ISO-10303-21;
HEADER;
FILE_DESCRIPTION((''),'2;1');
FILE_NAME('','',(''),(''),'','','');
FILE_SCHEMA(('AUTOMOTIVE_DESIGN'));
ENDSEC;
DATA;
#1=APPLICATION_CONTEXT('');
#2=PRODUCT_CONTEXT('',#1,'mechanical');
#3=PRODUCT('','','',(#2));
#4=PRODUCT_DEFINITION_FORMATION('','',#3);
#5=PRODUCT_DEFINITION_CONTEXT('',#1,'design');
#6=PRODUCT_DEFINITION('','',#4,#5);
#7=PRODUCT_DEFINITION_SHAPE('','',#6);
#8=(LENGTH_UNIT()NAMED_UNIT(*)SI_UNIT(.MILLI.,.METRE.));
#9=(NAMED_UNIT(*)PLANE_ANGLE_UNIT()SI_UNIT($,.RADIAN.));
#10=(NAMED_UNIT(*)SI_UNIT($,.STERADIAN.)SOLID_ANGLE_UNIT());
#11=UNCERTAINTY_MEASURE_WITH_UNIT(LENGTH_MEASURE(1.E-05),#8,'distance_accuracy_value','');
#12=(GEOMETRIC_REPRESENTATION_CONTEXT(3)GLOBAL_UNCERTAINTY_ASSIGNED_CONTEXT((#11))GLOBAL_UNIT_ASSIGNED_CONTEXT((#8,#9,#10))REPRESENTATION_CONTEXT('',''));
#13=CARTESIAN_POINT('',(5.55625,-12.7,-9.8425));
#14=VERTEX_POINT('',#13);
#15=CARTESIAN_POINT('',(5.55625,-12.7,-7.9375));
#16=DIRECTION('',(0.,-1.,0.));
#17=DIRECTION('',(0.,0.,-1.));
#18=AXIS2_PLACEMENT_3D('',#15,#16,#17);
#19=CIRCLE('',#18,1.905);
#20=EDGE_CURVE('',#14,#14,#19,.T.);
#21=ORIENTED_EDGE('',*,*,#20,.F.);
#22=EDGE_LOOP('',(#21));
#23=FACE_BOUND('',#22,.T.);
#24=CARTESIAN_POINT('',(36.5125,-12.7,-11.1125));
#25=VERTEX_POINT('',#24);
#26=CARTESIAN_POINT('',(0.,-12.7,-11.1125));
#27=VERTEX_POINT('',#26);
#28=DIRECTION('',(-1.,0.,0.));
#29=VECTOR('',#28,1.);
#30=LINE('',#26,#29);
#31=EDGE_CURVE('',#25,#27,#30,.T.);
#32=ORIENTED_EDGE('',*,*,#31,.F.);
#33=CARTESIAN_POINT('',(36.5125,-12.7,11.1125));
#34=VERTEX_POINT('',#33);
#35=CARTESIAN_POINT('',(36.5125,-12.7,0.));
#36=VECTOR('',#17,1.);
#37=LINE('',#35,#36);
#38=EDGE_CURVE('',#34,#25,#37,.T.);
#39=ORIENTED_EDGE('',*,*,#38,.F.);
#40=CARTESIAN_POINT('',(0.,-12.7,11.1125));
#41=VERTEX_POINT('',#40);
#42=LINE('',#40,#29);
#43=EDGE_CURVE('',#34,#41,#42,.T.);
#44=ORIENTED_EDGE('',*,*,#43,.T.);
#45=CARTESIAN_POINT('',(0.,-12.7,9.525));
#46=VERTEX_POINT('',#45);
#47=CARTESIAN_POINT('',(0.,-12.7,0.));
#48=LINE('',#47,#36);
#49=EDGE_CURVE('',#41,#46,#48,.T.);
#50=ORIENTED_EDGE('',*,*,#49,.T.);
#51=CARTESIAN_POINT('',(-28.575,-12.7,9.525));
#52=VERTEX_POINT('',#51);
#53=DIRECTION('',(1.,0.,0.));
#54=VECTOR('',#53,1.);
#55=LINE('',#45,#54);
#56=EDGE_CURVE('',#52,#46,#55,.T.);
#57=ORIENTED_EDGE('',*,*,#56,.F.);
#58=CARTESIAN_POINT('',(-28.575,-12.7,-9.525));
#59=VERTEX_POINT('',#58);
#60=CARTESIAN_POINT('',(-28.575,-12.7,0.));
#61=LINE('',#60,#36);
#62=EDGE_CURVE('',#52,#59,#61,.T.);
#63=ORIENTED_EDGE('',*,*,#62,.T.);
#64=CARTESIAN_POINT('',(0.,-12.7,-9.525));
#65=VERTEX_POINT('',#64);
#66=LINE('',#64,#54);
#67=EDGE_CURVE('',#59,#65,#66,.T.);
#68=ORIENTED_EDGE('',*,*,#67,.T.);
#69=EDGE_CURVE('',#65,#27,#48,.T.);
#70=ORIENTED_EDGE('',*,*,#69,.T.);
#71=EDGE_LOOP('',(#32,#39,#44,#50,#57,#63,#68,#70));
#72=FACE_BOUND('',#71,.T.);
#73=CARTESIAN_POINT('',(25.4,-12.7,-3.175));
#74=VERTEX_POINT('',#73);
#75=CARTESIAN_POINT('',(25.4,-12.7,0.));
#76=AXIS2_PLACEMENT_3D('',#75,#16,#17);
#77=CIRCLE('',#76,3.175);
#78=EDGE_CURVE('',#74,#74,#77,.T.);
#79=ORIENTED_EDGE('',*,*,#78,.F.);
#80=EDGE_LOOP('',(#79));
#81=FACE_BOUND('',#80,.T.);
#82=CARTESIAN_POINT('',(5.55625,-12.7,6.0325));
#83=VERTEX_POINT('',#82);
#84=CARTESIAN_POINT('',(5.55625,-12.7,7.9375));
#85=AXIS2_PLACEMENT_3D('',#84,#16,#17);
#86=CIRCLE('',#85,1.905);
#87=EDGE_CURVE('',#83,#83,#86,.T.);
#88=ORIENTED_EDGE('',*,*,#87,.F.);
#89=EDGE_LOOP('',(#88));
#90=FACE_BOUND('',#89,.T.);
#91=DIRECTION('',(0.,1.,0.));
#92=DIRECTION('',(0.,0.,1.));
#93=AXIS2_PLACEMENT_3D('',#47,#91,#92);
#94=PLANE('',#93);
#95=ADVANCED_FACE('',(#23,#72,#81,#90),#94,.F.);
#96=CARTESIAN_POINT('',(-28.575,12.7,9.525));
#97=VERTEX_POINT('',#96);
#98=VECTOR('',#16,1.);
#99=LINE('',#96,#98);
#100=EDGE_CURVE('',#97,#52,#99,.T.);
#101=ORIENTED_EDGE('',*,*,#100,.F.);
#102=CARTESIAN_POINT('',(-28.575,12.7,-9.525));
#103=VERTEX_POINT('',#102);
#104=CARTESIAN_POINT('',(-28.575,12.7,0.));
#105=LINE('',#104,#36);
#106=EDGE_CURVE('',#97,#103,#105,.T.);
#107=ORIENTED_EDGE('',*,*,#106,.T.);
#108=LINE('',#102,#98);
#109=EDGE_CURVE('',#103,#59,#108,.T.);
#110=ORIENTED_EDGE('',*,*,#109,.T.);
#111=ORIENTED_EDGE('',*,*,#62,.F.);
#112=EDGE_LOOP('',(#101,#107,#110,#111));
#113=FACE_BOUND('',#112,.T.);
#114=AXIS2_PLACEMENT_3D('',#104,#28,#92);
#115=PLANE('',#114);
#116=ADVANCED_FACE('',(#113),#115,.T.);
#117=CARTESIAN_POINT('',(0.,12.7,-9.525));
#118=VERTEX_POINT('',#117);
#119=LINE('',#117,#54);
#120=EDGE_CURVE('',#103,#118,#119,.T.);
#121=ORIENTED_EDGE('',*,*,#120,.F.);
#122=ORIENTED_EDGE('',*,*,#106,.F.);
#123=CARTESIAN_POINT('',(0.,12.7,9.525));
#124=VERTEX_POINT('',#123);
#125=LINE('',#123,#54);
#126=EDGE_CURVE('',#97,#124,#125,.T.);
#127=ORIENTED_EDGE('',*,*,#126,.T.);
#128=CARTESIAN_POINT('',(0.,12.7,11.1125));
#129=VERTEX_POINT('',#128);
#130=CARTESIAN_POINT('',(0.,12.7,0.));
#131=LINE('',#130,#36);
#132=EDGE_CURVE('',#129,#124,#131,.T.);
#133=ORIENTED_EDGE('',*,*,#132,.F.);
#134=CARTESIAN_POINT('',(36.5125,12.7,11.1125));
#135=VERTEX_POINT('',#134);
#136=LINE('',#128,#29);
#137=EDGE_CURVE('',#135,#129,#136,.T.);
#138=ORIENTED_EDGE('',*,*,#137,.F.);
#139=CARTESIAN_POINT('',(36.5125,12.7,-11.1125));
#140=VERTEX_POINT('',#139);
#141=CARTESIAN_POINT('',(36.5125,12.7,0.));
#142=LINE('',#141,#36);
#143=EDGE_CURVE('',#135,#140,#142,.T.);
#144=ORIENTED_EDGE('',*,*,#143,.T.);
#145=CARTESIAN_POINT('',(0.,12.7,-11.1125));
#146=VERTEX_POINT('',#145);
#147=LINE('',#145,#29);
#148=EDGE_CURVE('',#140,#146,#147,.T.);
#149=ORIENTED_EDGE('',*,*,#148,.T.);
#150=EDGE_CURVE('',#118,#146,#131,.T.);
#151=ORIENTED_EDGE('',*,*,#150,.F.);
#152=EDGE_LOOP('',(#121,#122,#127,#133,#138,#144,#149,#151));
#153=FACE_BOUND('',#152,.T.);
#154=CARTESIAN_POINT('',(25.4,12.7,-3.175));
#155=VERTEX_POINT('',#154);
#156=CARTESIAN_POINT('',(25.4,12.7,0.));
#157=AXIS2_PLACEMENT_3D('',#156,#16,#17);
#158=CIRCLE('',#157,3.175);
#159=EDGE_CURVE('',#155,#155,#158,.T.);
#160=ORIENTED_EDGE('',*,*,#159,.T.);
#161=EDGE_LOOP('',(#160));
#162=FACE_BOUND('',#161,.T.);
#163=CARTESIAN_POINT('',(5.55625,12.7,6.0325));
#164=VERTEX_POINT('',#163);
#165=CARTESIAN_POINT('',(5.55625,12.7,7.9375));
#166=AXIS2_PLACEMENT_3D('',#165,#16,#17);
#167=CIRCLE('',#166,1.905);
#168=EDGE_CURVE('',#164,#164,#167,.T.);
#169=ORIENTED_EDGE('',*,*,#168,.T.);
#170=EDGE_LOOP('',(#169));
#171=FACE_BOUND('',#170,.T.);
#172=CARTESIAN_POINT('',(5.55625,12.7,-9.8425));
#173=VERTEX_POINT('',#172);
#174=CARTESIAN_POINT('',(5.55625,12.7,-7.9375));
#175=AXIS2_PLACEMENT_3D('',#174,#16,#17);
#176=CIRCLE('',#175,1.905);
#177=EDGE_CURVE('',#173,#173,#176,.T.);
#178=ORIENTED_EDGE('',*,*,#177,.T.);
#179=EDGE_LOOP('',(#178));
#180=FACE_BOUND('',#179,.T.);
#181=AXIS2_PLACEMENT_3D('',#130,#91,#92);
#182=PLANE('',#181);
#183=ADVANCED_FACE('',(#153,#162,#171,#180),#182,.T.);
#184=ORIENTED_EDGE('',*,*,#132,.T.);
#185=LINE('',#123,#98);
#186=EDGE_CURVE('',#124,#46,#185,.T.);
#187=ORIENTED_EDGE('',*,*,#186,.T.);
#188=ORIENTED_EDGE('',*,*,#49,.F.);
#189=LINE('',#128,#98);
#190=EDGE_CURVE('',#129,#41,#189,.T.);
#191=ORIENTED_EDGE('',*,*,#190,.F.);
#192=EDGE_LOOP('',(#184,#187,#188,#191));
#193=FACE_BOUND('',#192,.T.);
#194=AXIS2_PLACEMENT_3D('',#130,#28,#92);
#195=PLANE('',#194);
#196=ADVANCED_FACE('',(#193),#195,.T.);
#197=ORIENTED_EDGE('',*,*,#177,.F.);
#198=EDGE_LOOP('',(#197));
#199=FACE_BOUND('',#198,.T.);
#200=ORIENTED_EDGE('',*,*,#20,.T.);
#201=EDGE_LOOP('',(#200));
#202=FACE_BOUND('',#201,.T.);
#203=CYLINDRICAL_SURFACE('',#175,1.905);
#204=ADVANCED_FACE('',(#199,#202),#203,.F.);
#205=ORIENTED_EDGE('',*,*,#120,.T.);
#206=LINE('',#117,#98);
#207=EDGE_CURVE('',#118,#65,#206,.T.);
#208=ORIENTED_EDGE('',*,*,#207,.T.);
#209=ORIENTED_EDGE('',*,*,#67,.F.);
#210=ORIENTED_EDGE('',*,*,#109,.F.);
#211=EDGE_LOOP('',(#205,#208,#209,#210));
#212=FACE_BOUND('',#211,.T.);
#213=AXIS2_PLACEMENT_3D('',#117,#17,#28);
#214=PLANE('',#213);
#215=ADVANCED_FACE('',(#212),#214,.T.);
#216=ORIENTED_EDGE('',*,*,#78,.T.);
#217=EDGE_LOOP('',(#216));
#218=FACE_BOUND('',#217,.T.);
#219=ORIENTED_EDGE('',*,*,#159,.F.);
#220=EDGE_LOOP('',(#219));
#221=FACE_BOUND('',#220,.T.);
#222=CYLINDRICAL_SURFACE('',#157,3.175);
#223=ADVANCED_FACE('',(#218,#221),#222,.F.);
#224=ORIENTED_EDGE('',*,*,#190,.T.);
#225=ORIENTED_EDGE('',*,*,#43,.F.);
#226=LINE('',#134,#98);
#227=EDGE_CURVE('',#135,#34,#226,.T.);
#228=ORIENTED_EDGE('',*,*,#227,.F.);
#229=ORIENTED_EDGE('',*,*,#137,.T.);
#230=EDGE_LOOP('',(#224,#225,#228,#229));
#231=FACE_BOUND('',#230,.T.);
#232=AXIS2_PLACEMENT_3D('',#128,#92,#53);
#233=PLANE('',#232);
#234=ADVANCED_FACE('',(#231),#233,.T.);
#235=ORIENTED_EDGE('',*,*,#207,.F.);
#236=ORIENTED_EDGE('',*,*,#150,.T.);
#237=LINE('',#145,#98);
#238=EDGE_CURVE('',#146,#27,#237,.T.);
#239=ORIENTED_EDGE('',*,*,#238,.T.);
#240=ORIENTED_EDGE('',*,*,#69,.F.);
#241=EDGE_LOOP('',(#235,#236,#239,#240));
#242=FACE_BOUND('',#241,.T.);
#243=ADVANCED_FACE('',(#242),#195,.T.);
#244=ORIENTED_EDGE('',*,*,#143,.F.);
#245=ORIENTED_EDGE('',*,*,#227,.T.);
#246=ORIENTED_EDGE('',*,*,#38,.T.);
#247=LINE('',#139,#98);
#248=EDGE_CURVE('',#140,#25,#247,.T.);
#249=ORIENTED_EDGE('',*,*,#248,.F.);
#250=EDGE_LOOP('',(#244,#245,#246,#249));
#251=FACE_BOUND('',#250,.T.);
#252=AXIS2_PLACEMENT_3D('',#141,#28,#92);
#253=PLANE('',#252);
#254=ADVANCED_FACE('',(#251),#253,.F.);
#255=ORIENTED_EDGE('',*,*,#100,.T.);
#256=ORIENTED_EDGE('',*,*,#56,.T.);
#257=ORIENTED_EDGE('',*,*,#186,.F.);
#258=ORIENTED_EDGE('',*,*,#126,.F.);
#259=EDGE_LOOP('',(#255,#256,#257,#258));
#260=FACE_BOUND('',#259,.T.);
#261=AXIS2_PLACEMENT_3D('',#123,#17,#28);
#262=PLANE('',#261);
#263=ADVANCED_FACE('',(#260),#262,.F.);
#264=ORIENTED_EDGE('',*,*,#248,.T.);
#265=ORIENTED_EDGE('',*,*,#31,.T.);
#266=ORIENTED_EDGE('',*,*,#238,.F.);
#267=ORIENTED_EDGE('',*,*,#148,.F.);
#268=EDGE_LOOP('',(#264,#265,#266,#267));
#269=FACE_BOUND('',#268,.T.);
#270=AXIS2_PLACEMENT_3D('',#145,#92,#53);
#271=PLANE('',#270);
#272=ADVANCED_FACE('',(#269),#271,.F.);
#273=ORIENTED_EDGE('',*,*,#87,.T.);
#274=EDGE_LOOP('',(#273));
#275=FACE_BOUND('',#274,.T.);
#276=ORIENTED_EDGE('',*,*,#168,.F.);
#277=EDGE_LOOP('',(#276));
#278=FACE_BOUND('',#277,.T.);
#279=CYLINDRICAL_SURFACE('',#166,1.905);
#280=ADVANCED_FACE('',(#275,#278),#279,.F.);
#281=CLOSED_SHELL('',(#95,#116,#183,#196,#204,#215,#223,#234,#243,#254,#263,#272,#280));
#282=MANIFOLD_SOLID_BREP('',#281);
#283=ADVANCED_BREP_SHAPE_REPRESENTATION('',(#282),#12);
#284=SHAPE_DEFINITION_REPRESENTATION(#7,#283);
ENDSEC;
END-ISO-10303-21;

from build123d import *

# Parameters (mm, degrees)
SKETCH1_W               = 28.575
SKETCH1_H               = 19.05
BOSS_EXTRUDE1_DEPTH     = 12.7
SKETCH3_R               = 1.905
CUT_EXTRUDE1_DEPTH      = 46.845504823
CUT_EXTRUDE4_DEPTH      = 41.223628783
CUT_EXTRUDE4_DEPTH_BACK = 41.223628783
SKETCH2_R               = 3.175


with BuildPart() as part:
    # Sketch1 → Boss-Extrude1 (new, symmetric)
    with BuildSketch(Plane(origin=(0, 0, 0), x_dir=(1, 0, 0), z_dir=(0, 1, 0))):
        with Locations((-14.2875, 0)):
            Rectangle(SKETCH1_W, SKETCH1_H)
        Polygon((0, 9.525), (0, -9.525), (0, -11.1125), (36.5125, -11.1125), (36.5125, 11.1125), (0, 11.1125), align=None)
    extrude(amount=BOSS_EXTRUDE1_DEPTH, both=True)

    # Sketch3 → Cut-Extrude1 (cut, through all)
    with BuildSketch(Plane.XZ.offset(12.7)):
        with Locations(Location((5.55625, 7.9375, 0), (0, 0, 270))):
            Circle(SKETCH3_R)
        with Locations(Location((5.55625, -7.9375, 0), (0, 0, 270))):
            Circle(SKETCH3_R)
    extrude(amount=-CUT_EXTRUDE1_DEPTH, mode=Mode.SUBTRACT)

    # Sketch2 → Cut-Extrude4 (cut, two sides: drawn at the far end of the back side and taken through both)
    with BuildSketch(Plane.XZ.offset(-CUT_EXTRUDE4_DEPTH_BACK)):
        with Locations(Location((25.4, 0, 0), (0, 0, 270))):
            Circle(SKETCH2_R)
    extrude(amount=CUT_EXTRUDE4_DEPTH + CUT_EXTRUDE4_DEPTH_BACK, mode=Mode.SUBTRACT)


solid = part.part
